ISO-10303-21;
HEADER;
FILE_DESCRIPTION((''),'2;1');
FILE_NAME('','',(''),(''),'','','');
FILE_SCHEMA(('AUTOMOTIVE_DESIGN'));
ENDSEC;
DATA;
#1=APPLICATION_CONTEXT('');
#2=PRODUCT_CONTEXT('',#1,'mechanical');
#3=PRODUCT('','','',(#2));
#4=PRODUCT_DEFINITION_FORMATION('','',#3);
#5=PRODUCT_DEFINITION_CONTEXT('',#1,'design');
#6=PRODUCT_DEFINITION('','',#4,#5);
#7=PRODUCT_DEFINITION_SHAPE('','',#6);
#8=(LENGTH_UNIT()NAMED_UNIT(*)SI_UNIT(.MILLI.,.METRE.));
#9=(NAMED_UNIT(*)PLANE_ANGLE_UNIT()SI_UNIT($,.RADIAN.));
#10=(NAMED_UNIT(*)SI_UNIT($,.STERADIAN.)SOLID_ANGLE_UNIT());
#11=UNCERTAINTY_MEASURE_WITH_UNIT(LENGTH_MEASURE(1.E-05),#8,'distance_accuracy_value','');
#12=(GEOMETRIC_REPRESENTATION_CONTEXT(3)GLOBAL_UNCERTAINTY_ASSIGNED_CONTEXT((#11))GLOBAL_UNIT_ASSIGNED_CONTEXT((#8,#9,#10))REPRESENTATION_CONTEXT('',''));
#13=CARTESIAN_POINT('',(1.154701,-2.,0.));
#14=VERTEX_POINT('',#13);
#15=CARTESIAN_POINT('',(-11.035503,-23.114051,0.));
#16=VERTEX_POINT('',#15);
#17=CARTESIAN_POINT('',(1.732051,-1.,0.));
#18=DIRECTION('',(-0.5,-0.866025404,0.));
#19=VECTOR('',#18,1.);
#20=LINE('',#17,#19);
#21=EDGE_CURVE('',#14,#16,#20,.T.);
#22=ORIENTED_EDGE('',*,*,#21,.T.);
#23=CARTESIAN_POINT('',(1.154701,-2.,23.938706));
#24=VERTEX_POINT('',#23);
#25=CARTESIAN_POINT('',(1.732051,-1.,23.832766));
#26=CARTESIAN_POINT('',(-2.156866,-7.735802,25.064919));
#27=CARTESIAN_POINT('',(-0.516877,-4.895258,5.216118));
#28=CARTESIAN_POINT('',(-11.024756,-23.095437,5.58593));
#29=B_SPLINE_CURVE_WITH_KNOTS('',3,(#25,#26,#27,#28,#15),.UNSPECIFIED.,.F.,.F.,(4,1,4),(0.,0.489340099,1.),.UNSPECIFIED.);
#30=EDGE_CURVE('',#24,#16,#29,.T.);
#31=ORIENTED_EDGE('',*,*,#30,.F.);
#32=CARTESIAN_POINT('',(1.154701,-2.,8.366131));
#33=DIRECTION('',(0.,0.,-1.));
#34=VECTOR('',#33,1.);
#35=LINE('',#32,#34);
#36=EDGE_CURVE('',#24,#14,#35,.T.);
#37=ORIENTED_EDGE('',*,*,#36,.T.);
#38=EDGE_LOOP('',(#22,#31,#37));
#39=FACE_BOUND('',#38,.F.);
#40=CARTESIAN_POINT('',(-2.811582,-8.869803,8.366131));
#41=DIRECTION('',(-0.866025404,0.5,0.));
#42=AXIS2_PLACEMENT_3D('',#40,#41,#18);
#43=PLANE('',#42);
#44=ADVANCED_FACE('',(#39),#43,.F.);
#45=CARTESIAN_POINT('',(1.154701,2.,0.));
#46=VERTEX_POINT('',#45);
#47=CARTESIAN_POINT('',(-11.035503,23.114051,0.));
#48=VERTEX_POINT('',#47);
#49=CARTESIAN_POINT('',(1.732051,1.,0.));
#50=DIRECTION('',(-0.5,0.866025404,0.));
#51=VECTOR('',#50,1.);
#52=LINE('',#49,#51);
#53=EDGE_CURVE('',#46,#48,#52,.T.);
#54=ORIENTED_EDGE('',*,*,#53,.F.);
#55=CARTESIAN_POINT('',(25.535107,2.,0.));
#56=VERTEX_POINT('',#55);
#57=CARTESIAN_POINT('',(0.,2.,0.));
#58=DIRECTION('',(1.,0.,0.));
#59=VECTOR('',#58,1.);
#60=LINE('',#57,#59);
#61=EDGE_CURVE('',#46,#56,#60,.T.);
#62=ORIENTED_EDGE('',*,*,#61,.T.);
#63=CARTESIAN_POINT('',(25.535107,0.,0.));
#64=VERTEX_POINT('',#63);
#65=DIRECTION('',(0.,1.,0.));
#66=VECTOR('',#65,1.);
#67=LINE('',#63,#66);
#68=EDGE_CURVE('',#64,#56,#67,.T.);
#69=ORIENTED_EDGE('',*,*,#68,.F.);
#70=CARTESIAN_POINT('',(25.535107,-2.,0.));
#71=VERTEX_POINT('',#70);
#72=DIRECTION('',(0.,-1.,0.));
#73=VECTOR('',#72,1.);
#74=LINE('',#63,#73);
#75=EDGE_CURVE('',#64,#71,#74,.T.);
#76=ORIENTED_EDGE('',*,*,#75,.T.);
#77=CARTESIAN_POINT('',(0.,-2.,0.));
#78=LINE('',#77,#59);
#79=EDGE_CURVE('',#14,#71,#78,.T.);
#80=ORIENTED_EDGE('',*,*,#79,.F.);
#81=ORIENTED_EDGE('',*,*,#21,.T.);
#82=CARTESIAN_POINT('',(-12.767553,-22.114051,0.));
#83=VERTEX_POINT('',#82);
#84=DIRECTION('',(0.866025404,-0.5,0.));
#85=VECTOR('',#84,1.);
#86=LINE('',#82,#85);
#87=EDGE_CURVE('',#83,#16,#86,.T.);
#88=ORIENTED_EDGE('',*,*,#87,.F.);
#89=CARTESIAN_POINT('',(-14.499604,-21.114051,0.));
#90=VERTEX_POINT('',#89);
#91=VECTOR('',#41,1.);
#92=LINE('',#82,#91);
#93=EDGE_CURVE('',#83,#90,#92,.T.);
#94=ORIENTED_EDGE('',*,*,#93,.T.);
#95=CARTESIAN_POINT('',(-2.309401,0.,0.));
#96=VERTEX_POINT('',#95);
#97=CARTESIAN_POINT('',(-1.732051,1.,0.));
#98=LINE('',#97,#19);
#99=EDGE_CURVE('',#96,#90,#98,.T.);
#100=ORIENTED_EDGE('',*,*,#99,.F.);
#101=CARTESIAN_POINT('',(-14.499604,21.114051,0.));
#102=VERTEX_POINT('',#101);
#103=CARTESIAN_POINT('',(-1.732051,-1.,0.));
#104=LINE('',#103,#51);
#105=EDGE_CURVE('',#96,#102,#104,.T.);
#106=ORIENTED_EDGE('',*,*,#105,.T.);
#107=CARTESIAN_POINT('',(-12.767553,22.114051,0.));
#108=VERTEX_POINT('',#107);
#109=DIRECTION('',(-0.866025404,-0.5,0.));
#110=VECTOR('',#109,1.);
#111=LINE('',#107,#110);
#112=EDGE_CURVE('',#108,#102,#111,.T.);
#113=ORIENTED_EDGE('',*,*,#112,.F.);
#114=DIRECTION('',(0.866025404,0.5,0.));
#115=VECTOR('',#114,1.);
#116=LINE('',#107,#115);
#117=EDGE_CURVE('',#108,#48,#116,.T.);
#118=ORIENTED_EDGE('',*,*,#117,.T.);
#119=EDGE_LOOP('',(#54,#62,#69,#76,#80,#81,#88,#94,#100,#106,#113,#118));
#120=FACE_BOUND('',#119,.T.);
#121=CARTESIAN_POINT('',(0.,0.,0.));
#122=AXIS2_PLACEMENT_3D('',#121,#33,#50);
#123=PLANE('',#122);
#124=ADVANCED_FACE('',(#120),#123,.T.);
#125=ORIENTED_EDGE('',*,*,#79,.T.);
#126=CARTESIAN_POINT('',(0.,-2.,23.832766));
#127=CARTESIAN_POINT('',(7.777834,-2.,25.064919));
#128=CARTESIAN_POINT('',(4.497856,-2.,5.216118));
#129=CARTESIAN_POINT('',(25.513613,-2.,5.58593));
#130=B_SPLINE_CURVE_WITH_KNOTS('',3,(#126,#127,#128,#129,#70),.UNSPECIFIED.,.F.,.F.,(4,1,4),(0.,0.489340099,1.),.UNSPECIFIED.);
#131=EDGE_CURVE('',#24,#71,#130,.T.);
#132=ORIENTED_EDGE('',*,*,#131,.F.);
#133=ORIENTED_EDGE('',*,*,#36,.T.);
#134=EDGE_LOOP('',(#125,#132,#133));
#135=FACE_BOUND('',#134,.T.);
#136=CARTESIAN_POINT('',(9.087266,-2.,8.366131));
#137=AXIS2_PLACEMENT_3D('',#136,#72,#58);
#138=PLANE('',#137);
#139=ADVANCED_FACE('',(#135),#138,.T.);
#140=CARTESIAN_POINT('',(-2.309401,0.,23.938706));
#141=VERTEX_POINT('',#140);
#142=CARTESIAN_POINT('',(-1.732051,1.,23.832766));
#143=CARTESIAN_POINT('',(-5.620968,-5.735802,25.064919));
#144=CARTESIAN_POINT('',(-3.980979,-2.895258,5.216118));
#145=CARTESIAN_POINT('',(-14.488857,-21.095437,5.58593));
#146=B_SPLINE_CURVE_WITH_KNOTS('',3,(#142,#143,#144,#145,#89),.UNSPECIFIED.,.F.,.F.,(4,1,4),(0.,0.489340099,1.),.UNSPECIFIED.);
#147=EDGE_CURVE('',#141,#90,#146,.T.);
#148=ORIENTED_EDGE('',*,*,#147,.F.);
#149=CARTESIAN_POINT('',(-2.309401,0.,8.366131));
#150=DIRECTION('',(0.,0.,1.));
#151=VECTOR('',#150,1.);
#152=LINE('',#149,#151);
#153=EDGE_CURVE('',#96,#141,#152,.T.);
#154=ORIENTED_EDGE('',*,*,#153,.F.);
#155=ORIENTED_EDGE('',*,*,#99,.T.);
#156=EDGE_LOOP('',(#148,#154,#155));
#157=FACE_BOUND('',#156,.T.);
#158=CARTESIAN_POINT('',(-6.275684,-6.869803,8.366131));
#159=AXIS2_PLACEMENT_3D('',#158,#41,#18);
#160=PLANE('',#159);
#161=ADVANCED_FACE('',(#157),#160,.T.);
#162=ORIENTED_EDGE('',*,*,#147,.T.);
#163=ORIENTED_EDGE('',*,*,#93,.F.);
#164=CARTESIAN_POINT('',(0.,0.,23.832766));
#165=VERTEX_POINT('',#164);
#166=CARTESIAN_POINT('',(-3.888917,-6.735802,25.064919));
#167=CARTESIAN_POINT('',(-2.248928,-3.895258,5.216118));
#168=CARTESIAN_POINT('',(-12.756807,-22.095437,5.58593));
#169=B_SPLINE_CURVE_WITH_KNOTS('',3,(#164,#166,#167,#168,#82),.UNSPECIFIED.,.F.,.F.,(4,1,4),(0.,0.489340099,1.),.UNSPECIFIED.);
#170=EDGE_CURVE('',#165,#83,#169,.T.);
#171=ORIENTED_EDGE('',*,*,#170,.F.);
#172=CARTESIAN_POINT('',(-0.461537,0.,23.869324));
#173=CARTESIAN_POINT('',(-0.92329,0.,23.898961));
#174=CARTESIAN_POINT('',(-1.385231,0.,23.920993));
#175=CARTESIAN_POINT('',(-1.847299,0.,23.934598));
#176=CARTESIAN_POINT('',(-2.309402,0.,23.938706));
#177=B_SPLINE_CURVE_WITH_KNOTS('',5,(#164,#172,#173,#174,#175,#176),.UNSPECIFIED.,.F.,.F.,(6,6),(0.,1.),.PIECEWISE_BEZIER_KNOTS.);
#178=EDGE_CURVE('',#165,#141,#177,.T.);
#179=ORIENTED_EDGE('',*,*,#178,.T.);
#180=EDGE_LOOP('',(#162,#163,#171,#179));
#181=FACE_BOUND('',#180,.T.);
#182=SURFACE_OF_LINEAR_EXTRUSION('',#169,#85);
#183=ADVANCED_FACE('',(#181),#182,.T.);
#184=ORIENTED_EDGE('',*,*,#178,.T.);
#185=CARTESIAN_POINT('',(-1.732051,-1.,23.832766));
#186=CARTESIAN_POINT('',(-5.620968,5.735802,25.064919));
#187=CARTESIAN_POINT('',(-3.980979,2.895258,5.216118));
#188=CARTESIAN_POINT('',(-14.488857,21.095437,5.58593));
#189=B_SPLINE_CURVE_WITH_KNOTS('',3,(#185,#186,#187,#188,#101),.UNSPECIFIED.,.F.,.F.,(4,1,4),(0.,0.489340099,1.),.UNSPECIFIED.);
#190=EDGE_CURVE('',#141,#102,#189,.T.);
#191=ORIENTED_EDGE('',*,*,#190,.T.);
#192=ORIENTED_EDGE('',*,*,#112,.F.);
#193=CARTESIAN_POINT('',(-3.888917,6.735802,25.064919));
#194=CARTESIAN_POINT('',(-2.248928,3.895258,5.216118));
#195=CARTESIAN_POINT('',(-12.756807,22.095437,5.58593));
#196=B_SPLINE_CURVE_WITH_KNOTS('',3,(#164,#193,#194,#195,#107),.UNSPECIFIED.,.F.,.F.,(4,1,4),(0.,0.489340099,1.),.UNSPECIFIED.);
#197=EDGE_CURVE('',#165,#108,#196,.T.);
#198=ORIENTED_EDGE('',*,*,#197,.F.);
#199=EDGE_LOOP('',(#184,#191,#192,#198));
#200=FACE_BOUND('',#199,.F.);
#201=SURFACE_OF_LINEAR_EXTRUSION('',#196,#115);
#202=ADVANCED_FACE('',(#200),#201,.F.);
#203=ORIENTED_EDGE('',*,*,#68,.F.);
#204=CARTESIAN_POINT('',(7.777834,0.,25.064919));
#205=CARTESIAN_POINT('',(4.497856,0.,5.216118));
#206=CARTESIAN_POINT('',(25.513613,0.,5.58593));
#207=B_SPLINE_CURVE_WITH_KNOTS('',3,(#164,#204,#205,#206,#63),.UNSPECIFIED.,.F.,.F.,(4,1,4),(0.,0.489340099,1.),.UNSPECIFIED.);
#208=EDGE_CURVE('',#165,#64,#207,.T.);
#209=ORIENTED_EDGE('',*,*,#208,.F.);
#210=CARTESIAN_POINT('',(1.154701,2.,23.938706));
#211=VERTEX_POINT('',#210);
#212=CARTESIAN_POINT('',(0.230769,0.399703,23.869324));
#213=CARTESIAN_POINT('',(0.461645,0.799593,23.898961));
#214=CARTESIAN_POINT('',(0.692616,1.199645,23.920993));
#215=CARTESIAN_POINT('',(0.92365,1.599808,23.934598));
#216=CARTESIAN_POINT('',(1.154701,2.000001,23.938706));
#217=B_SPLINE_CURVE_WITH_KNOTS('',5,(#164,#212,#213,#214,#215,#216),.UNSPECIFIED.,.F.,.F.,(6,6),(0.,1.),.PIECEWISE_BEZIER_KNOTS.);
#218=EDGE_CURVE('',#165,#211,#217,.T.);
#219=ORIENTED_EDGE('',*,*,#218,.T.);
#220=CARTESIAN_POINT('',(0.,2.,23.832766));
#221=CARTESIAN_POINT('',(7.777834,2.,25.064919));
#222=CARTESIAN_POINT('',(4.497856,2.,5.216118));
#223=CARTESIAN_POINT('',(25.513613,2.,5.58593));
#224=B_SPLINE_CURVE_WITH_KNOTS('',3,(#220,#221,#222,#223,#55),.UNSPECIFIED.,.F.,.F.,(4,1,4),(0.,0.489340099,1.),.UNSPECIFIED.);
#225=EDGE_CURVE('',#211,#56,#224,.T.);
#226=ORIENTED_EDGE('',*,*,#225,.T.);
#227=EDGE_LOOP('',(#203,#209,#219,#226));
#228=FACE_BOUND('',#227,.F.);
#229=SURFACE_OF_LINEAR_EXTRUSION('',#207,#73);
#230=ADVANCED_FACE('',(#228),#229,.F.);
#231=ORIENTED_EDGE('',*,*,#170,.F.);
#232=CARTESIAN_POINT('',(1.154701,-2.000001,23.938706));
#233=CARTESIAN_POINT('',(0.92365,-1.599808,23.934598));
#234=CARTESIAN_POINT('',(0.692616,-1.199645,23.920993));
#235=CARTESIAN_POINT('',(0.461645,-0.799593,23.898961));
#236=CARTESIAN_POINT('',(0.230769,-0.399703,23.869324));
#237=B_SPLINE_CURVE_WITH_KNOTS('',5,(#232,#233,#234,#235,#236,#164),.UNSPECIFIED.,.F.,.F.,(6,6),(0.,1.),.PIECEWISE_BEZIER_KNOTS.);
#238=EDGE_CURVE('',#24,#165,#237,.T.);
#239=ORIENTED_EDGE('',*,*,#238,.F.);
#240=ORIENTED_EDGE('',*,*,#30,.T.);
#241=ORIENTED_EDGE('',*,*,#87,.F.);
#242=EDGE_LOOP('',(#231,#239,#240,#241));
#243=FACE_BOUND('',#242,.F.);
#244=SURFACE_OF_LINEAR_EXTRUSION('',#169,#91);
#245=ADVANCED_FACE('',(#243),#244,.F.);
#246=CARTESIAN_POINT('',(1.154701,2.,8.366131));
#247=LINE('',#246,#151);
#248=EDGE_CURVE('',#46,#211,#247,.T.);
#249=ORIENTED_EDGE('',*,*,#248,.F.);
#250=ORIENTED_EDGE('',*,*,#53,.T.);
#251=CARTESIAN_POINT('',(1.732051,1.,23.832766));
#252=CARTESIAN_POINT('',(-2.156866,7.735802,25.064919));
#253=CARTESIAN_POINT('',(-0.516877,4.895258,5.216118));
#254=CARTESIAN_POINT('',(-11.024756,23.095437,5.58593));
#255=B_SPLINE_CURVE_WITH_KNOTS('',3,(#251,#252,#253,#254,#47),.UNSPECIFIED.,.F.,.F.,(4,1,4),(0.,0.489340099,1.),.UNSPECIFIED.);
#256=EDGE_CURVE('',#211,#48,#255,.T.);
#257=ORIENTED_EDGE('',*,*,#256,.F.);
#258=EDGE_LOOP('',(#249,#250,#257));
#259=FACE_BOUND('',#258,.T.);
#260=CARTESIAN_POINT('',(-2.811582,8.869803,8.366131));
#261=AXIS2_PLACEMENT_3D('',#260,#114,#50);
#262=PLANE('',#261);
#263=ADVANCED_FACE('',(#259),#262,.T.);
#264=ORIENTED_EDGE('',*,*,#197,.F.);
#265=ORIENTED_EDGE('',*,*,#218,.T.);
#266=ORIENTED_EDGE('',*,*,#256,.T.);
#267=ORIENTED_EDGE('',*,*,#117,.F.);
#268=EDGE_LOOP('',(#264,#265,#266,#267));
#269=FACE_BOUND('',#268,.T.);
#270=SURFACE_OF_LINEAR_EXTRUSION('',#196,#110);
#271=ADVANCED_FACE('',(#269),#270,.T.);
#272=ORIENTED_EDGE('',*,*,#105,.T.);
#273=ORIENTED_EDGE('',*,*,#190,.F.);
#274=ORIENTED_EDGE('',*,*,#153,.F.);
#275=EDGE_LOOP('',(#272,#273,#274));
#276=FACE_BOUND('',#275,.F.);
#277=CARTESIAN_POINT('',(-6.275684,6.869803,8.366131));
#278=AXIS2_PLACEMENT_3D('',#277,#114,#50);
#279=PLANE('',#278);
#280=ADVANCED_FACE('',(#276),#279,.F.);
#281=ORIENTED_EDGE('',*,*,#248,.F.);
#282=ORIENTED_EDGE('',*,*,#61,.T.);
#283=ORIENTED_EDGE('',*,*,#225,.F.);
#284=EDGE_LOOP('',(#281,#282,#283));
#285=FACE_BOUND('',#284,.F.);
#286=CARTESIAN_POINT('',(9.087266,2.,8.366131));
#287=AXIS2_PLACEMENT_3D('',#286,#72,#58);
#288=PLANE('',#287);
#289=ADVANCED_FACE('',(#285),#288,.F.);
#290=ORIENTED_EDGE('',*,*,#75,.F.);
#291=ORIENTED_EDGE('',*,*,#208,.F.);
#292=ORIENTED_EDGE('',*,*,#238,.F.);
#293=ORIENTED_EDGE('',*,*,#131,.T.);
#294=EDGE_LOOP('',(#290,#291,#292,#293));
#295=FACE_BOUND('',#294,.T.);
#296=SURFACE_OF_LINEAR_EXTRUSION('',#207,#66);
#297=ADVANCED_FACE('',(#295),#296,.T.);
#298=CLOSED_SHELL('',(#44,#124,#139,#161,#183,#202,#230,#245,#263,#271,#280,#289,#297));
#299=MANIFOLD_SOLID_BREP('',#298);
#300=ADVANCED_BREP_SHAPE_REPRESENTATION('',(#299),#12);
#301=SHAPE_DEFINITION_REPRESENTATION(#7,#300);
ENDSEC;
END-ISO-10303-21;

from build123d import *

# Parameters (mm, degrees)
F1_DEPTH = 2
F3_COUNT = 3


with BuildPart() as f1:
    # F0 (on Front) → F1 (new body, symmetric)
    with BuildSketch(Plane.XZ):
        with BuildLine():
            Line((0, 23.8327663392), (0, 0))
            Line((0, 0), (25.5351066589, 0))
            add(Edge.make_bspline(
                [(0, 23.8327663392), (7.7778338455, 25.0649191439), (4.4978563392, 5.2161183837), (25.5136132021, 5.5859300725), (25.5351066589, 0)],
                knots=[0, 0, 0, 0, 0.4893400992, 1, 1, 1, 1], degree=3))
        make_face()
    extrude(amount=F1_DEPTH, both=True)

    # F3: F1 ×3 about axis
    f3_axis = Axis((0, 0, 4.0417579003), (0, 0, 1))


with BuildPart() as f1_1:
    add(f1.part)
    for i in range(1, F3_COUNT):
        add(f1.part.rotate(f3_axis, i * 360 / F3_COUNT))


solid = f1_1.part
